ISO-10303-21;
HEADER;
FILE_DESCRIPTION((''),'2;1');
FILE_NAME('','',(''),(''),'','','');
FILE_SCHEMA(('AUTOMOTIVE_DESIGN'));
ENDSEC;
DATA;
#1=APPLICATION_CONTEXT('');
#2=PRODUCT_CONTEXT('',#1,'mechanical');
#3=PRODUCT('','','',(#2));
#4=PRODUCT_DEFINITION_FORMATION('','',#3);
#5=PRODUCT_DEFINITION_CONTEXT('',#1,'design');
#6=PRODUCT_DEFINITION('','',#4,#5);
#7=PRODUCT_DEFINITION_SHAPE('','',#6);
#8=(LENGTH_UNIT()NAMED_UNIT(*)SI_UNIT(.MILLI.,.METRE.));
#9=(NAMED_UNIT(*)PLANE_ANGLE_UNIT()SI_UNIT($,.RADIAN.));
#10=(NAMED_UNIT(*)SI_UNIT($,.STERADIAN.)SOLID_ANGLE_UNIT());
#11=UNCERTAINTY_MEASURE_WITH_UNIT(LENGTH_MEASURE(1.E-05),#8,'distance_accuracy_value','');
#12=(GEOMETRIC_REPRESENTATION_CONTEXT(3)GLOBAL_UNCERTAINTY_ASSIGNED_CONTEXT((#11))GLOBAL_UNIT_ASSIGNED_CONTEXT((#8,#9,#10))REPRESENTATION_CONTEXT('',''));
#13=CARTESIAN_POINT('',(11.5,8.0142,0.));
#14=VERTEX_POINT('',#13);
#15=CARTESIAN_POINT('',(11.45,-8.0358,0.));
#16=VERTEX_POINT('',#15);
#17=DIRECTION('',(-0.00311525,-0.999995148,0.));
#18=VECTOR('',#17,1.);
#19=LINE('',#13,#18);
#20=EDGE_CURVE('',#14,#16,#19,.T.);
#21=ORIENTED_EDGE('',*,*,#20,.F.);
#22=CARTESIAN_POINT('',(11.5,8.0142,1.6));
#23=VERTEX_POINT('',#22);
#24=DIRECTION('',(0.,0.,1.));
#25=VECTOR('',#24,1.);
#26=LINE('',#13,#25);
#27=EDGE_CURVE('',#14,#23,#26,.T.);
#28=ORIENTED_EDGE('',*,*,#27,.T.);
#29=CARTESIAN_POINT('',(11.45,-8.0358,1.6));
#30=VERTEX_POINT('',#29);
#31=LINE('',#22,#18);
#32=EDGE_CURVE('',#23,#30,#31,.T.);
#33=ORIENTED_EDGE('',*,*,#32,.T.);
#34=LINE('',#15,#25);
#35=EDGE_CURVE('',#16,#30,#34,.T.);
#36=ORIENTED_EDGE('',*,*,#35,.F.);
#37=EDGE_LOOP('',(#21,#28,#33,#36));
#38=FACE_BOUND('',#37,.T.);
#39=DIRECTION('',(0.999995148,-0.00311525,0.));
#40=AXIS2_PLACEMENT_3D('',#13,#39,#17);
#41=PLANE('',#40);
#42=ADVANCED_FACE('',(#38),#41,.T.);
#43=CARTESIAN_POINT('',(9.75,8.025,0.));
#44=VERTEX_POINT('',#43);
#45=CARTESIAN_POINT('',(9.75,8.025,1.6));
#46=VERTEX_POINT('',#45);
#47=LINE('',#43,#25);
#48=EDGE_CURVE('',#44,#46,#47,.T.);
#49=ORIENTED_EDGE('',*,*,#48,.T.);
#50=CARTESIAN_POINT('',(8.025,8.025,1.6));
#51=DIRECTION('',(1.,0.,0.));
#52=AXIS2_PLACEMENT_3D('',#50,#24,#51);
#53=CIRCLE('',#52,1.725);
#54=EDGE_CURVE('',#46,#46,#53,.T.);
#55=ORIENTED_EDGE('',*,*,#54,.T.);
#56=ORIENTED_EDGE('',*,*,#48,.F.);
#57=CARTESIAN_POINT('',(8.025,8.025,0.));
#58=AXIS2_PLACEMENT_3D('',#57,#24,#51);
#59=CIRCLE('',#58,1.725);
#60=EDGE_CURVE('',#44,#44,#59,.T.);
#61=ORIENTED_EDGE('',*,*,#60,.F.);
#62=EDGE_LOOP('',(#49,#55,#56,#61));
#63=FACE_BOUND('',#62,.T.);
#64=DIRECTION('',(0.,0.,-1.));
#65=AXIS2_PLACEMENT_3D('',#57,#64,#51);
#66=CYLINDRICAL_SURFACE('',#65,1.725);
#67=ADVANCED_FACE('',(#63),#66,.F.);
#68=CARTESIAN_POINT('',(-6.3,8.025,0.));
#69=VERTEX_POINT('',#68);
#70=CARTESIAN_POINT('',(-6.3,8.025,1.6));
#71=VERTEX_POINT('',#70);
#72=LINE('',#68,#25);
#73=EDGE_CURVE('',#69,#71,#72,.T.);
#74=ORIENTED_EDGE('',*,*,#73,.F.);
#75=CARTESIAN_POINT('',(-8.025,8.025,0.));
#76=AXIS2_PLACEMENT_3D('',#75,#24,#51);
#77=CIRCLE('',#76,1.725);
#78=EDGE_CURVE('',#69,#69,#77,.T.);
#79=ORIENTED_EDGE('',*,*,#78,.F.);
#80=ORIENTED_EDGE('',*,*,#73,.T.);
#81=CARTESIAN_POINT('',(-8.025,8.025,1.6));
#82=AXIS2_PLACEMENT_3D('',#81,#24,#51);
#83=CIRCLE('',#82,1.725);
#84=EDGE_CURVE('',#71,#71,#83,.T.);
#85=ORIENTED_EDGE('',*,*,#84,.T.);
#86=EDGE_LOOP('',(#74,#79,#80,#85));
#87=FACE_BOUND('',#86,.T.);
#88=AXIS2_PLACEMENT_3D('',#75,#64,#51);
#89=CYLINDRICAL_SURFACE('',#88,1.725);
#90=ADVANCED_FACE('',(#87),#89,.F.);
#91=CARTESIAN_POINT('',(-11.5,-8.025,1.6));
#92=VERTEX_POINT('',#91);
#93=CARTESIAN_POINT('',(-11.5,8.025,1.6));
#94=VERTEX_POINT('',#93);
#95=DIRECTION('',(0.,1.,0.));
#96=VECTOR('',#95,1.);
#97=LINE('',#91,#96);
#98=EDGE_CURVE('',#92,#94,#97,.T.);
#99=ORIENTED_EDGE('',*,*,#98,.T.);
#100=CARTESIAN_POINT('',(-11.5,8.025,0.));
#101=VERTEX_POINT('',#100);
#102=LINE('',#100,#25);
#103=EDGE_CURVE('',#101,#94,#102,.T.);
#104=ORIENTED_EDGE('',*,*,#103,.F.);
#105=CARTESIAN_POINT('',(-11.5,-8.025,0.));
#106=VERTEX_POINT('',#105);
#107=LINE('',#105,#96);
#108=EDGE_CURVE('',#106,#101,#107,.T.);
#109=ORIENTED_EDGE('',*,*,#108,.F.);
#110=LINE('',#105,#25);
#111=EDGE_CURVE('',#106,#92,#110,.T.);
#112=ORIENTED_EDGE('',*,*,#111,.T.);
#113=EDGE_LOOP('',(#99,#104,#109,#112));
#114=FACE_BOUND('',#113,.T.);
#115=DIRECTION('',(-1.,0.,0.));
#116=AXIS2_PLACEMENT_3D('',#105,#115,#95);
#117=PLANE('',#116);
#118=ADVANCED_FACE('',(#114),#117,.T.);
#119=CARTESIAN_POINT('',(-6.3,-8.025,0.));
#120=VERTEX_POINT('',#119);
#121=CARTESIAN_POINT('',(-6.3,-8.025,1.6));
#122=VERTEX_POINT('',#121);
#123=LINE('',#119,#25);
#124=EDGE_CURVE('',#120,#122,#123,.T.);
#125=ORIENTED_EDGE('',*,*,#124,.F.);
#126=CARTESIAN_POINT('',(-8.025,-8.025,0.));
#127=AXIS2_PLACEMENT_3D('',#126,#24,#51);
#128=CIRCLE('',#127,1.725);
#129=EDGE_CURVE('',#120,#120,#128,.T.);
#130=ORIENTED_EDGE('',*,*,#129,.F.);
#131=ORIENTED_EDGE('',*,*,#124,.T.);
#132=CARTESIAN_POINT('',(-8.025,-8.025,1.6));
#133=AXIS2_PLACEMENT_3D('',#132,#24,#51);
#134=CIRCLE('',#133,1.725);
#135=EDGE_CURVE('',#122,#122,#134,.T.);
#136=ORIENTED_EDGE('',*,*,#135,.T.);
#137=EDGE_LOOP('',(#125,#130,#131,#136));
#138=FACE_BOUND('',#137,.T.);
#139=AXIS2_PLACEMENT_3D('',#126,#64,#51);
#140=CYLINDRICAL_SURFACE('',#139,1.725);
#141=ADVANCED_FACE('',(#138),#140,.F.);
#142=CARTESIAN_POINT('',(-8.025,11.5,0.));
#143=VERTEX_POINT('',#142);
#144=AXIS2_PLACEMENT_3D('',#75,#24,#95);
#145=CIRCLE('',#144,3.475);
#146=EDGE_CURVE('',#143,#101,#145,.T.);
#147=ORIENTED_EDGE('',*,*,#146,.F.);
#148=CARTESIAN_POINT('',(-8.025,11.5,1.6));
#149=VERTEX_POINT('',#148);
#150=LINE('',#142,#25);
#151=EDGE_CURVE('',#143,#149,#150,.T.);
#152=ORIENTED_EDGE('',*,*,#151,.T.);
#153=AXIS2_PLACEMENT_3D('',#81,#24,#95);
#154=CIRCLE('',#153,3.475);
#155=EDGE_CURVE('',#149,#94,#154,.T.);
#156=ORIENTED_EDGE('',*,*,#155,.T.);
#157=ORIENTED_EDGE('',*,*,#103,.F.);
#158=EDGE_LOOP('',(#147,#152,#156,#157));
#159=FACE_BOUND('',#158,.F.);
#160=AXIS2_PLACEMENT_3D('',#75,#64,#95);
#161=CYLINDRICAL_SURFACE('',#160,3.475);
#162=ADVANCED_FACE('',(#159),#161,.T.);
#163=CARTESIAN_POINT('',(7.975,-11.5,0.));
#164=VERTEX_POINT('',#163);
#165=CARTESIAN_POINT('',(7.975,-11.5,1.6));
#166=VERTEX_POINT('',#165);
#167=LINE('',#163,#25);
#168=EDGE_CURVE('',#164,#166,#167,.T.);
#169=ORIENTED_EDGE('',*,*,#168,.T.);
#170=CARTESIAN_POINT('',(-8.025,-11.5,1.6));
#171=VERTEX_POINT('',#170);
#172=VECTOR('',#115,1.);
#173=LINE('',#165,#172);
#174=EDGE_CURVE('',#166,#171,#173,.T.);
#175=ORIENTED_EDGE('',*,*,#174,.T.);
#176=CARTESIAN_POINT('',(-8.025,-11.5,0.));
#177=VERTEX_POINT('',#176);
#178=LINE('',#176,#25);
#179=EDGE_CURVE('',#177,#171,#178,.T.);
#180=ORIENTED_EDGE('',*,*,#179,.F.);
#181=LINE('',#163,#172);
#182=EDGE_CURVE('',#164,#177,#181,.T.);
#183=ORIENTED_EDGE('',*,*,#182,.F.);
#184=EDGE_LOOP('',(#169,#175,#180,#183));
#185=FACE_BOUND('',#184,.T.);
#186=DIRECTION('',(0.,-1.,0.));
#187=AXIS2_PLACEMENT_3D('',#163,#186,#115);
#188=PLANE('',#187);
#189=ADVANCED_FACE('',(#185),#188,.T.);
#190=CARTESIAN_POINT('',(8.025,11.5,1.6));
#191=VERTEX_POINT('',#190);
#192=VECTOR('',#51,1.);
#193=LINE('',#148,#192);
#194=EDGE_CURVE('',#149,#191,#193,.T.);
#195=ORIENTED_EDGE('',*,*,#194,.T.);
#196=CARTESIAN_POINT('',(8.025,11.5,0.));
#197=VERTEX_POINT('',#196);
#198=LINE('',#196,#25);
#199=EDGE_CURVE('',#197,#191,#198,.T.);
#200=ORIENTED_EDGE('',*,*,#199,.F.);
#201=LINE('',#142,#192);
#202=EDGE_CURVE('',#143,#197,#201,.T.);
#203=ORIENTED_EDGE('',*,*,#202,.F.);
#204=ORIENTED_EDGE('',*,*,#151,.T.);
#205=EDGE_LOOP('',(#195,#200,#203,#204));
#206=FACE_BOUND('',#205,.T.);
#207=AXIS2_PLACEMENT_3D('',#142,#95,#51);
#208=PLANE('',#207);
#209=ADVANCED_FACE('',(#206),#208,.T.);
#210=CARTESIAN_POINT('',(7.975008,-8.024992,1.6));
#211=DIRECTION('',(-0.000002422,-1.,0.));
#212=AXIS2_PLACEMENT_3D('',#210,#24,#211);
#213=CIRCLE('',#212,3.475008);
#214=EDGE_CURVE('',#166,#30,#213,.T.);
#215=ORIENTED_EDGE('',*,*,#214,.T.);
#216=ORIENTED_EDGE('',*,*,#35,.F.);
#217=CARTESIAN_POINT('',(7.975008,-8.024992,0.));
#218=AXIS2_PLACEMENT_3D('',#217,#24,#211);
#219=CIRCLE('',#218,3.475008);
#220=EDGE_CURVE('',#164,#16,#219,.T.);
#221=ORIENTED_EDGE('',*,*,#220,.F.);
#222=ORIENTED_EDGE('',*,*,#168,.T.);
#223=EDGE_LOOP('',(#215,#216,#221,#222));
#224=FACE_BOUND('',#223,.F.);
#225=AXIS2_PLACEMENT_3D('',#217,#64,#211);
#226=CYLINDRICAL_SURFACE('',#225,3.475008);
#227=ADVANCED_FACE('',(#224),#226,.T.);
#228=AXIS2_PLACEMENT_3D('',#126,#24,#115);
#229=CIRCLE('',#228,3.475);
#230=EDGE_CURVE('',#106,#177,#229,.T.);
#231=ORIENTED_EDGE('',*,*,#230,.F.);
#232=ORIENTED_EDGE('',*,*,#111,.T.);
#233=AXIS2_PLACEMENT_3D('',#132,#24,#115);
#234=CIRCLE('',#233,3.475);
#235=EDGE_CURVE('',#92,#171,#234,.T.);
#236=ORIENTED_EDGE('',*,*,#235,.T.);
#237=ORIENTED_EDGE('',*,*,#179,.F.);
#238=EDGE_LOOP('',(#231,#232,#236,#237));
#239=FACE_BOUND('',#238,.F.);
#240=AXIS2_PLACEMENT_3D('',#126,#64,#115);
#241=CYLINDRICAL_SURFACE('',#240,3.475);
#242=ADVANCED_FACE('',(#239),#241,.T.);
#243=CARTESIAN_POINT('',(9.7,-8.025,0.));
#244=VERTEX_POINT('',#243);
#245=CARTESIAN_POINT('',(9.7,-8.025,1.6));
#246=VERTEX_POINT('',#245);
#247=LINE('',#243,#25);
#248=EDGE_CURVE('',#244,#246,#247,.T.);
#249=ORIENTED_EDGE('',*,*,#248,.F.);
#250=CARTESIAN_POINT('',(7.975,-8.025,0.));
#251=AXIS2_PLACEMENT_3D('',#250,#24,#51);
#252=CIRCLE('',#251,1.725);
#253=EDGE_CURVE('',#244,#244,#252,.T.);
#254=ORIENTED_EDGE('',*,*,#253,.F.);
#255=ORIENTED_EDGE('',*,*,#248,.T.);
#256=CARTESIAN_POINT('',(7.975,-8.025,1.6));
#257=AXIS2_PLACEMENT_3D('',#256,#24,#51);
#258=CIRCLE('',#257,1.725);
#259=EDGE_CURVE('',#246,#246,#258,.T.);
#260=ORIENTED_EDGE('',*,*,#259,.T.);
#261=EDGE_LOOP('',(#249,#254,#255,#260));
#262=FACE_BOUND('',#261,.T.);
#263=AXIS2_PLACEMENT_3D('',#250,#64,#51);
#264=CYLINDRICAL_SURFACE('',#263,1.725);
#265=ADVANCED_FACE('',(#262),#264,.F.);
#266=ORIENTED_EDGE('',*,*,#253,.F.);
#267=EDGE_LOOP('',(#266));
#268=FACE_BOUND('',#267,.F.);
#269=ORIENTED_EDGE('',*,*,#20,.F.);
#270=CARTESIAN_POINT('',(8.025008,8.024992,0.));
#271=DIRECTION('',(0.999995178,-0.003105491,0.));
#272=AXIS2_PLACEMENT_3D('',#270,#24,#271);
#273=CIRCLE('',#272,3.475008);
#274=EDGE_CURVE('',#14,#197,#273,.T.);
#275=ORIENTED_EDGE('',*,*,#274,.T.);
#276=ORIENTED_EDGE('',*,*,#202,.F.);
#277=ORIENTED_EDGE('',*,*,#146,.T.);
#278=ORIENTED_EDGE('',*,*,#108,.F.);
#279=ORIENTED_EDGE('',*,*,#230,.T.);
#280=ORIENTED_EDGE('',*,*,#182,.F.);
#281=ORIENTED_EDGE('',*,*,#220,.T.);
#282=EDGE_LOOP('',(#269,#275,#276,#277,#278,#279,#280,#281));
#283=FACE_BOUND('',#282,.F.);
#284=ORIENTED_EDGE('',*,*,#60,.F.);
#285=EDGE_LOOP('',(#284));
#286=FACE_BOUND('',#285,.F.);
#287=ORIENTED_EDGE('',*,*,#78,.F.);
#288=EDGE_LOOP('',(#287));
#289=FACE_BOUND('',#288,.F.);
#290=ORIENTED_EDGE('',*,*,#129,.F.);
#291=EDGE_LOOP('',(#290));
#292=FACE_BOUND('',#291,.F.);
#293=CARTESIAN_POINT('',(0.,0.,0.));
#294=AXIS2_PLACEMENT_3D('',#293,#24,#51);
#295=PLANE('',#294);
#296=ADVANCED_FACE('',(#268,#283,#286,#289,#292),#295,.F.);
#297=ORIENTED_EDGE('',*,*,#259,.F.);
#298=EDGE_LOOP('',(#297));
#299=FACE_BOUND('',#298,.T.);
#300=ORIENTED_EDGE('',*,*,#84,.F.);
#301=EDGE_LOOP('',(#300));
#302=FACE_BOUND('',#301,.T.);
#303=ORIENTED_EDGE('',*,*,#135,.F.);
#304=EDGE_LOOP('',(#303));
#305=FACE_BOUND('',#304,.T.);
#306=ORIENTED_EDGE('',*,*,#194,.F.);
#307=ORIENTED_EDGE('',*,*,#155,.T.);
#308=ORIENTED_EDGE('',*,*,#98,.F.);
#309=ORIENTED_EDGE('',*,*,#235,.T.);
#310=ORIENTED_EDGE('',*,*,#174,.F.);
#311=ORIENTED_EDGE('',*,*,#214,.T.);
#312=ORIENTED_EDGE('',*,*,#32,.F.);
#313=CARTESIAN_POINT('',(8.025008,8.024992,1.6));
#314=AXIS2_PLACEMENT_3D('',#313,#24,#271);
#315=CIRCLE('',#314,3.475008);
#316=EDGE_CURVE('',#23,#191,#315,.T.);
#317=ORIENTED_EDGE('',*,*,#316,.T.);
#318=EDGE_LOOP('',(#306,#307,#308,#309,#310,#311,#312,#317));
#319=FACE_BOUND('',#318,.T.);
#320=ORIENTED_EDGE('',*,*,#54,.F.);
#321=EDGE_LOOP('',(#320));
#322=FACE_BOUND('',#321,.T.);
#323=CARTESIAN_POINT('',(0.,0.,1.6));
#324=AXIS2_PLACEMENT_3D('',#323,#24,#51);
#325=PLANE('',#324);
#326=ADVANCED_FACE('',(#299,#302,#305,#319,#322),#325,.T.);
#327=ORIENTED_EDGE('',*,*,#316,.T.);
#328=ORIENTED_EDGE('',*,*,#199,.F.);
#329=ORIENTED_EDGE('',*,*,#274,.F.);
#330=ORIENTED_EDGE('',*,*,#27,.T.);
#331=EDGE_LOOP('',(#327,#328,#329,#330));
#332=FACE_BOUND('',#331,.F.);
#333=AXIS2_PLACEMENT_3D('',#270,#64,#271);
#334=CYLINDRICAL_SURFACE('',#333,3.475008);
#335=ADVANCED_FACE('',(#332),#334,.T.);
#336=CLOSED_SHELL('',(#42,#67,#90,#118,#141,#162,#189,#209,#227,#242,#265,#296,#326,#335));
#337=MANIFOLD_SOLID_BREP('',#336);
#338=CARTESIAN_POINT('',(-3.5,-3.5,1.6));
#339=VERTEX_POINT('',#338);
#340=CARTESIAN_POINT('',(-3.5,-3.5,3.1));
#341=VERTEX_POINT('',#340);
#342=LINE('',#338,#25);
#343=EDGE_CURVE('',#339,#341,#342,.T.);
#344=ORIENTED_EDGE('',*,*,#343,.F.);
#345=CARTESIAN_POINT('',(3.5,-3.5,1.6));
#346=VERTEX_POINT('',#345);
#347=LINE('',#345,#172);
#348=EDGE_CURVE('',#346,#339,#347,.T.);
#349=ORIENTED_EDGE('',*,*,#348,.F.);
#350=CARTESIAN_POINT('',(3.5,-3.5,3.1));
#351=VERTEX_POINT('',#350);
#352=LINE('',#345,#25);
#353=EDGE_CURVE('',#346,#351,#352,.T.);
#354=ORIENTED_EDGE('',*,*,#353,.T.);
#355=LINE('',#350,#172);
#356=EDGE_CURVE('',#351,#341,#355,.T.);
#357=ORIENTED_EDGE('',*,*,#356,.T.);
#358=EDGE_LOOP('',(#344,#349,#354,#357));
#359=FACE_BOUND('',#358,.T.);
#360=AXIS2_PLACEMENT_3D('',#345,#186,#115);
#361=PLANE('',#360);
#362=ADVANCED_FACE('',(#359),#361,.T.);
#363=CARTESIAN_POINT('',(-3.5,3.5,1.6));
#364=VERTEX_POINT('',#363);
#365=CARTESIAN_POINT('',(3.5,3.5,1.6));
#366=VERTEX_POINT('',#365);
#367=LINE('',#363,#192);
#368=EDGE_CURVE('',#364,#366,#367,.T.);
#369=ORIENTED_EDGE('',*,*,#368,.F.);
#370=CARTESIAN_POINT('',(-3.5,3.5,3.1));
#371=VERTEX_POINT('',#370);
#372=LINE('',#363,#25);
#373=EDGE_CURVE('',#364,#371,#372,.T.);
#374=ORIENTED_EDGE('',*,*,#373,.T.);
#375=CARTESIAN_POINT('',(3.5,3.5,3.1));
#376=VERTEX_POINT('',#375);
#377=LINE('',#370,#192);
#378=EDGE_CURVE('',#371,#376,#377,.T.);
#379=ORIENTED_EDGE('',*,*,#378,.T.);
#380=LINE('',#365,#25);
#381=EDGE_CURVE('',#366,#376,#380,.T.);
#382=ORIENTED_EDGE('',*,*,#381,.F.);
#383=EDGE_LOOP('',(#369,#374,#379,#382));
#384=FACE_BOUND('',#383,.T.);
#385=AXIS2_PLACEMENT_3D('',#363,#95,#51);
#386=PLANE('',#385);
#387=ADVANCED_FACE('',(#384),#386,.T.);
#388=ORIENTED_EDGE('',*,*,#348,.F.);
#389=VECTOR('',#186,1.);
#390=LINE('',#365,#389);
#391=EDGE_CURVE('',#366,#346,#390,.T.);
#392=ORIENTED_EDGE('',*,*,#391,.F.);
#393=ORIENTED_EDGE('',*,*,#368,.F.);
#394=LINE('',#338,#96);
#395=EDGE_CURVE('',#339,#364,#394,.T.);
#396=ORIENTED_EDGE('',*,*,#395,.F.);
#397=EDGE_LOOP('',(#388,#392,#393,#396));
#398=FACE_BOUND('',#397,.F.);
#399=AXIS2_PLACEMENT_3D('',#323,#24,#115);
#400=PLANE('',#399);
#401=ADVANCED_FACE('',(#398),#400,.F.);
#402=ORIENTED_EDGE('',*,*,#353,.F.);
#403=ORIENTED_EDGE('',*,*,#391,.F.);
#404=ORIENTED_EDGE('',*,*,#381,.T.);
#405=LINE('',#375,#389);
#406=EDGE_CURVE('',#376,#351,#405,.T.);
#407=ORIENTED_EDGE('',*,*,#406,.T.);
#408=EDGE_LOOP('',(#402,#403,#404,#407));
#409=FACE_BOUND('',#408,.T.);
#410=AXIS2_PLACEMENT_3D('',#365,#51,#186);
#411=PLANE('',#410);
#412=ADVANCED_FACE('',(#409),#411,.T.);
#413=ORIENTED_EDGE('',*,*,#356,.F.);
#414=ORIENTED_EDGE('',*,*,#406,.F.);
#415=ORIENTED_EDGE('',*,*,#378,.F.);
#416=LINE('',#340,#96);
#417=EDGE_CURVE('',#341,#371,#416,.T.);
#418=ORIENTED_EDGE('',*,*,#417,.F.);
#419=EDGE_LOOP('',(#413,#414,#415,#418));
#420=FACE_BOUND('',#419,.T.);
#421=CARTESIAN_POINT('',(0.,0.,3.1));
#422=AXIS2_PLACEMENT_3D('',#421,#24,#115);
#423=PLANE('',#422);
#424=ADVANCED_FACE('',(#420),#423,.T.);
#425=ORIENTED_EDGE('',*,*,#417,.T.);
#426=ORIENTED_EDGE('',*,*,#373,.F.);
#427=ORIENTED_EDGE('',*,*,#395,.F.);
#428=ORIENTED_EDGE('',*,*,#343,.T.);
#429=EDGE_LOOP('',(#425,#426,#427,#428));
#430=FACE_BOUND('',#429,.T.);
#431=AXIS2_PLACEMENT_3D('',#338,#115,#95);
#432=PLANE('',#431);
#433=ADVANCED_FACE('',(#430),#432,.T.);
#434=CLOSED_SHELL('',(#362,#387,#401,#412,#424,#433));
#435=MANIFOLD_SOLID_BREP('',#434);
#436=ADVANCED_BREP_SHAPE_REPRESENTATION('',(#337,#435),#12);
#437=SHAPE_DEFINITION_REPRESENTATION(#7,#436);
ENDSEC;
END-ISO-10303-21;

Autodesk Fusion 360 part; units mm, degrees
sketch "Sketch1" plane through (0, 0, 0) normal (0, 0, 1) x (1, 0, 0)
  line L0 (11.5, 11.5) -> (-11.5, 11.5) construction
  line L1 (-11.5, 11.5) -> (-11.5, -11.5) construction
  line L2 (-11.5, -11.5) -> (11.5, -11.5) construction
  line L3 (11.5, -11.5) -> (11.5, 11.5) construction
  line L4 (11.5, 11.5) -> (-11.5, -11.5) construction
  line L5 (-11.5, 11.5) -> (11.5, -11.5) construction
  line L6 (9.7, 9.75) -> (-9.7, 9.75) construction
  line L7 (-9.7, 9.75) -> (-9.7, -9.75) construction
  line L8 (-9.7, -9.75) -> (9.7, -9.75) construction
  line L9 (9.7, -9.75) -> (9.7, 9.75) construction
  line L10 (9.7, 9.75) -> (-9.7, -9.75) construction
  line L11 (-9.7, 9.75) -> (9.7, -9.75) construction
  line L12 (11.5, 6.3) -> (-11.5, 6.3) construction
  line L13 (6.3, 11.5) -> (6.3, -11.5) construction
  line L14 (-11.5, -6.3) -> (11.5, -6.3) construction
  line L15 (-6.3, 11.5) -> (-6.3, -11.5) construction
  line L16 (-11.5, 0) -> (11.5, 0) construction
  line L17 (0, 11.5) -> (0, -11.5) construction
  circle A0 centre (8.025, 8.025) radius 1.725
  circle A1 centre (-8.025, 8.025) radius 1.725
  circle A2 centre (-8.025, -8.025) radius 1.725
  circle A3 centre (7.975, -8.025) radius 1.725
  circle A4 centre (8.025, 8.025) radius 3.475 construction
  circle A5 centre (-8.025, 8.025) radius 3.475 construction
  circle A6 centre (-8.025, -8.025) radius 3.475 construction
  circle A7 centre (7.975, -8.025) radius 3.475 construction
  line L18 (11.5, 8.0142) -> (11.45, -8.0358)
  arc A8 (7.975, -11.5) -> (11.45, -8.0358) centre (7.975, -8.025) ccw
  line L19 (7.975, -11.5) -> (-8.025, -11.5)
  arc A9 (-11.5, -8.025) -> (-8.025, -11.5) centre (-8.025, -8.025) ccw
  line L20 (-11.5, -8.025) -> (-11.5, 8.025)
  arc A10 (-8.025, 11.5) -> (-11.5, 8.025) centre (-8.025, 8.025) ccw
  line L21 (-8.025, 11.5) -> (8.025, 11.5)
  arc A11 (11.5, 8.0142) -> (8.025, 11.5) centre (8.025, 8.025) ccw
  dimension "d1" = 23
  dimension "d2" = 23
  dimension "d3" = 19.4
  dimension "d4" = 19.5
  dimension "d5" = 12.6
  dimension "d6" = 6.3
  dimension "d7" = 6.3
  dimension "d8" = 12.6
extrude "Extrude1" add sketch "Sketch1" along normal blind 1.6 makes body 1
sketch "Sketch3" plane through (0, 0, 1.6) normal (0, 0, 1) x (-1, 0, 0)
  circle A0 centre (-7.975, 8.025) radius 1.725
  circle A1 centre (8.025, -8.025) radius 1.725
  circle A2 centre (-8.025, -8.025) radius 1.725
  circle A3 centre (8.025, 8.025) radius 1.725
  arc A4 (-7.975, 11.5) -> (-11.45, 8.0358) centre (-7.975, 8.025) ccw
  line L0 (-11.45, 8.0358) -> (-11.5, -8.0142)
  arc A5 (-11.5, -8.0142) -> (-8.025, -11.5) centre (-8.025, -8.025) ccw
  line L1 (-8.025, -11.5) -> (8.025, -11.5)
  arc A6 (8.025, -11.5) -> (11.5, -8.025) centre (8.025, -8.025) ccw
  line L2 (11.5, -8.025) -> (11.5, 8.025)
  arc A7 (11.5, 8.025) -> (8.025, 11.5) centre (8.025, 8.025) ccw
  line L3 (8.025, 11.5) -> (-7.975, 11.5)
  line L4 (-3.5, 3.5) -> (3.5, 3.5)
  line L5 (3.5, 3.5) -> (3.5, -3.5)
  line L6 (3.5, -3.5) -> (-3.5, -3.5)
  line L7 (-3.5, -3.5) -> (-3.5, 3.5)
  line L8 (-3.5, 3.5) -> (3.5, -3.5) construction
  line L9 (3.5, 3.5) -> (-3.5, -3.5) construction
  point P0 (8.025, 8.025)
  point P1 (8.025, 8.025)
  dimension "d15" = 7
  dimension "d16" = 7
extrude "Extrude3" add sketch "Sketch3" along normal blind 1.5 separate body contours L4 L5 L6 L7 makes body 2
copy_body "Body->Comp1" bodies 2 removing the originals makes body 3 in component "Sensor"
component "Sensor" placed x (1, 0, 0) y (0, 1, 0) z (0, 0, 1) at (0, 0, 0)
equation "d5 = d6 * 2"
equation "d6 = ( 12.5 / 2 ) * 1 mm + 0.05 mm"
equation "d7 = d6"
equation "d8 = d5"
